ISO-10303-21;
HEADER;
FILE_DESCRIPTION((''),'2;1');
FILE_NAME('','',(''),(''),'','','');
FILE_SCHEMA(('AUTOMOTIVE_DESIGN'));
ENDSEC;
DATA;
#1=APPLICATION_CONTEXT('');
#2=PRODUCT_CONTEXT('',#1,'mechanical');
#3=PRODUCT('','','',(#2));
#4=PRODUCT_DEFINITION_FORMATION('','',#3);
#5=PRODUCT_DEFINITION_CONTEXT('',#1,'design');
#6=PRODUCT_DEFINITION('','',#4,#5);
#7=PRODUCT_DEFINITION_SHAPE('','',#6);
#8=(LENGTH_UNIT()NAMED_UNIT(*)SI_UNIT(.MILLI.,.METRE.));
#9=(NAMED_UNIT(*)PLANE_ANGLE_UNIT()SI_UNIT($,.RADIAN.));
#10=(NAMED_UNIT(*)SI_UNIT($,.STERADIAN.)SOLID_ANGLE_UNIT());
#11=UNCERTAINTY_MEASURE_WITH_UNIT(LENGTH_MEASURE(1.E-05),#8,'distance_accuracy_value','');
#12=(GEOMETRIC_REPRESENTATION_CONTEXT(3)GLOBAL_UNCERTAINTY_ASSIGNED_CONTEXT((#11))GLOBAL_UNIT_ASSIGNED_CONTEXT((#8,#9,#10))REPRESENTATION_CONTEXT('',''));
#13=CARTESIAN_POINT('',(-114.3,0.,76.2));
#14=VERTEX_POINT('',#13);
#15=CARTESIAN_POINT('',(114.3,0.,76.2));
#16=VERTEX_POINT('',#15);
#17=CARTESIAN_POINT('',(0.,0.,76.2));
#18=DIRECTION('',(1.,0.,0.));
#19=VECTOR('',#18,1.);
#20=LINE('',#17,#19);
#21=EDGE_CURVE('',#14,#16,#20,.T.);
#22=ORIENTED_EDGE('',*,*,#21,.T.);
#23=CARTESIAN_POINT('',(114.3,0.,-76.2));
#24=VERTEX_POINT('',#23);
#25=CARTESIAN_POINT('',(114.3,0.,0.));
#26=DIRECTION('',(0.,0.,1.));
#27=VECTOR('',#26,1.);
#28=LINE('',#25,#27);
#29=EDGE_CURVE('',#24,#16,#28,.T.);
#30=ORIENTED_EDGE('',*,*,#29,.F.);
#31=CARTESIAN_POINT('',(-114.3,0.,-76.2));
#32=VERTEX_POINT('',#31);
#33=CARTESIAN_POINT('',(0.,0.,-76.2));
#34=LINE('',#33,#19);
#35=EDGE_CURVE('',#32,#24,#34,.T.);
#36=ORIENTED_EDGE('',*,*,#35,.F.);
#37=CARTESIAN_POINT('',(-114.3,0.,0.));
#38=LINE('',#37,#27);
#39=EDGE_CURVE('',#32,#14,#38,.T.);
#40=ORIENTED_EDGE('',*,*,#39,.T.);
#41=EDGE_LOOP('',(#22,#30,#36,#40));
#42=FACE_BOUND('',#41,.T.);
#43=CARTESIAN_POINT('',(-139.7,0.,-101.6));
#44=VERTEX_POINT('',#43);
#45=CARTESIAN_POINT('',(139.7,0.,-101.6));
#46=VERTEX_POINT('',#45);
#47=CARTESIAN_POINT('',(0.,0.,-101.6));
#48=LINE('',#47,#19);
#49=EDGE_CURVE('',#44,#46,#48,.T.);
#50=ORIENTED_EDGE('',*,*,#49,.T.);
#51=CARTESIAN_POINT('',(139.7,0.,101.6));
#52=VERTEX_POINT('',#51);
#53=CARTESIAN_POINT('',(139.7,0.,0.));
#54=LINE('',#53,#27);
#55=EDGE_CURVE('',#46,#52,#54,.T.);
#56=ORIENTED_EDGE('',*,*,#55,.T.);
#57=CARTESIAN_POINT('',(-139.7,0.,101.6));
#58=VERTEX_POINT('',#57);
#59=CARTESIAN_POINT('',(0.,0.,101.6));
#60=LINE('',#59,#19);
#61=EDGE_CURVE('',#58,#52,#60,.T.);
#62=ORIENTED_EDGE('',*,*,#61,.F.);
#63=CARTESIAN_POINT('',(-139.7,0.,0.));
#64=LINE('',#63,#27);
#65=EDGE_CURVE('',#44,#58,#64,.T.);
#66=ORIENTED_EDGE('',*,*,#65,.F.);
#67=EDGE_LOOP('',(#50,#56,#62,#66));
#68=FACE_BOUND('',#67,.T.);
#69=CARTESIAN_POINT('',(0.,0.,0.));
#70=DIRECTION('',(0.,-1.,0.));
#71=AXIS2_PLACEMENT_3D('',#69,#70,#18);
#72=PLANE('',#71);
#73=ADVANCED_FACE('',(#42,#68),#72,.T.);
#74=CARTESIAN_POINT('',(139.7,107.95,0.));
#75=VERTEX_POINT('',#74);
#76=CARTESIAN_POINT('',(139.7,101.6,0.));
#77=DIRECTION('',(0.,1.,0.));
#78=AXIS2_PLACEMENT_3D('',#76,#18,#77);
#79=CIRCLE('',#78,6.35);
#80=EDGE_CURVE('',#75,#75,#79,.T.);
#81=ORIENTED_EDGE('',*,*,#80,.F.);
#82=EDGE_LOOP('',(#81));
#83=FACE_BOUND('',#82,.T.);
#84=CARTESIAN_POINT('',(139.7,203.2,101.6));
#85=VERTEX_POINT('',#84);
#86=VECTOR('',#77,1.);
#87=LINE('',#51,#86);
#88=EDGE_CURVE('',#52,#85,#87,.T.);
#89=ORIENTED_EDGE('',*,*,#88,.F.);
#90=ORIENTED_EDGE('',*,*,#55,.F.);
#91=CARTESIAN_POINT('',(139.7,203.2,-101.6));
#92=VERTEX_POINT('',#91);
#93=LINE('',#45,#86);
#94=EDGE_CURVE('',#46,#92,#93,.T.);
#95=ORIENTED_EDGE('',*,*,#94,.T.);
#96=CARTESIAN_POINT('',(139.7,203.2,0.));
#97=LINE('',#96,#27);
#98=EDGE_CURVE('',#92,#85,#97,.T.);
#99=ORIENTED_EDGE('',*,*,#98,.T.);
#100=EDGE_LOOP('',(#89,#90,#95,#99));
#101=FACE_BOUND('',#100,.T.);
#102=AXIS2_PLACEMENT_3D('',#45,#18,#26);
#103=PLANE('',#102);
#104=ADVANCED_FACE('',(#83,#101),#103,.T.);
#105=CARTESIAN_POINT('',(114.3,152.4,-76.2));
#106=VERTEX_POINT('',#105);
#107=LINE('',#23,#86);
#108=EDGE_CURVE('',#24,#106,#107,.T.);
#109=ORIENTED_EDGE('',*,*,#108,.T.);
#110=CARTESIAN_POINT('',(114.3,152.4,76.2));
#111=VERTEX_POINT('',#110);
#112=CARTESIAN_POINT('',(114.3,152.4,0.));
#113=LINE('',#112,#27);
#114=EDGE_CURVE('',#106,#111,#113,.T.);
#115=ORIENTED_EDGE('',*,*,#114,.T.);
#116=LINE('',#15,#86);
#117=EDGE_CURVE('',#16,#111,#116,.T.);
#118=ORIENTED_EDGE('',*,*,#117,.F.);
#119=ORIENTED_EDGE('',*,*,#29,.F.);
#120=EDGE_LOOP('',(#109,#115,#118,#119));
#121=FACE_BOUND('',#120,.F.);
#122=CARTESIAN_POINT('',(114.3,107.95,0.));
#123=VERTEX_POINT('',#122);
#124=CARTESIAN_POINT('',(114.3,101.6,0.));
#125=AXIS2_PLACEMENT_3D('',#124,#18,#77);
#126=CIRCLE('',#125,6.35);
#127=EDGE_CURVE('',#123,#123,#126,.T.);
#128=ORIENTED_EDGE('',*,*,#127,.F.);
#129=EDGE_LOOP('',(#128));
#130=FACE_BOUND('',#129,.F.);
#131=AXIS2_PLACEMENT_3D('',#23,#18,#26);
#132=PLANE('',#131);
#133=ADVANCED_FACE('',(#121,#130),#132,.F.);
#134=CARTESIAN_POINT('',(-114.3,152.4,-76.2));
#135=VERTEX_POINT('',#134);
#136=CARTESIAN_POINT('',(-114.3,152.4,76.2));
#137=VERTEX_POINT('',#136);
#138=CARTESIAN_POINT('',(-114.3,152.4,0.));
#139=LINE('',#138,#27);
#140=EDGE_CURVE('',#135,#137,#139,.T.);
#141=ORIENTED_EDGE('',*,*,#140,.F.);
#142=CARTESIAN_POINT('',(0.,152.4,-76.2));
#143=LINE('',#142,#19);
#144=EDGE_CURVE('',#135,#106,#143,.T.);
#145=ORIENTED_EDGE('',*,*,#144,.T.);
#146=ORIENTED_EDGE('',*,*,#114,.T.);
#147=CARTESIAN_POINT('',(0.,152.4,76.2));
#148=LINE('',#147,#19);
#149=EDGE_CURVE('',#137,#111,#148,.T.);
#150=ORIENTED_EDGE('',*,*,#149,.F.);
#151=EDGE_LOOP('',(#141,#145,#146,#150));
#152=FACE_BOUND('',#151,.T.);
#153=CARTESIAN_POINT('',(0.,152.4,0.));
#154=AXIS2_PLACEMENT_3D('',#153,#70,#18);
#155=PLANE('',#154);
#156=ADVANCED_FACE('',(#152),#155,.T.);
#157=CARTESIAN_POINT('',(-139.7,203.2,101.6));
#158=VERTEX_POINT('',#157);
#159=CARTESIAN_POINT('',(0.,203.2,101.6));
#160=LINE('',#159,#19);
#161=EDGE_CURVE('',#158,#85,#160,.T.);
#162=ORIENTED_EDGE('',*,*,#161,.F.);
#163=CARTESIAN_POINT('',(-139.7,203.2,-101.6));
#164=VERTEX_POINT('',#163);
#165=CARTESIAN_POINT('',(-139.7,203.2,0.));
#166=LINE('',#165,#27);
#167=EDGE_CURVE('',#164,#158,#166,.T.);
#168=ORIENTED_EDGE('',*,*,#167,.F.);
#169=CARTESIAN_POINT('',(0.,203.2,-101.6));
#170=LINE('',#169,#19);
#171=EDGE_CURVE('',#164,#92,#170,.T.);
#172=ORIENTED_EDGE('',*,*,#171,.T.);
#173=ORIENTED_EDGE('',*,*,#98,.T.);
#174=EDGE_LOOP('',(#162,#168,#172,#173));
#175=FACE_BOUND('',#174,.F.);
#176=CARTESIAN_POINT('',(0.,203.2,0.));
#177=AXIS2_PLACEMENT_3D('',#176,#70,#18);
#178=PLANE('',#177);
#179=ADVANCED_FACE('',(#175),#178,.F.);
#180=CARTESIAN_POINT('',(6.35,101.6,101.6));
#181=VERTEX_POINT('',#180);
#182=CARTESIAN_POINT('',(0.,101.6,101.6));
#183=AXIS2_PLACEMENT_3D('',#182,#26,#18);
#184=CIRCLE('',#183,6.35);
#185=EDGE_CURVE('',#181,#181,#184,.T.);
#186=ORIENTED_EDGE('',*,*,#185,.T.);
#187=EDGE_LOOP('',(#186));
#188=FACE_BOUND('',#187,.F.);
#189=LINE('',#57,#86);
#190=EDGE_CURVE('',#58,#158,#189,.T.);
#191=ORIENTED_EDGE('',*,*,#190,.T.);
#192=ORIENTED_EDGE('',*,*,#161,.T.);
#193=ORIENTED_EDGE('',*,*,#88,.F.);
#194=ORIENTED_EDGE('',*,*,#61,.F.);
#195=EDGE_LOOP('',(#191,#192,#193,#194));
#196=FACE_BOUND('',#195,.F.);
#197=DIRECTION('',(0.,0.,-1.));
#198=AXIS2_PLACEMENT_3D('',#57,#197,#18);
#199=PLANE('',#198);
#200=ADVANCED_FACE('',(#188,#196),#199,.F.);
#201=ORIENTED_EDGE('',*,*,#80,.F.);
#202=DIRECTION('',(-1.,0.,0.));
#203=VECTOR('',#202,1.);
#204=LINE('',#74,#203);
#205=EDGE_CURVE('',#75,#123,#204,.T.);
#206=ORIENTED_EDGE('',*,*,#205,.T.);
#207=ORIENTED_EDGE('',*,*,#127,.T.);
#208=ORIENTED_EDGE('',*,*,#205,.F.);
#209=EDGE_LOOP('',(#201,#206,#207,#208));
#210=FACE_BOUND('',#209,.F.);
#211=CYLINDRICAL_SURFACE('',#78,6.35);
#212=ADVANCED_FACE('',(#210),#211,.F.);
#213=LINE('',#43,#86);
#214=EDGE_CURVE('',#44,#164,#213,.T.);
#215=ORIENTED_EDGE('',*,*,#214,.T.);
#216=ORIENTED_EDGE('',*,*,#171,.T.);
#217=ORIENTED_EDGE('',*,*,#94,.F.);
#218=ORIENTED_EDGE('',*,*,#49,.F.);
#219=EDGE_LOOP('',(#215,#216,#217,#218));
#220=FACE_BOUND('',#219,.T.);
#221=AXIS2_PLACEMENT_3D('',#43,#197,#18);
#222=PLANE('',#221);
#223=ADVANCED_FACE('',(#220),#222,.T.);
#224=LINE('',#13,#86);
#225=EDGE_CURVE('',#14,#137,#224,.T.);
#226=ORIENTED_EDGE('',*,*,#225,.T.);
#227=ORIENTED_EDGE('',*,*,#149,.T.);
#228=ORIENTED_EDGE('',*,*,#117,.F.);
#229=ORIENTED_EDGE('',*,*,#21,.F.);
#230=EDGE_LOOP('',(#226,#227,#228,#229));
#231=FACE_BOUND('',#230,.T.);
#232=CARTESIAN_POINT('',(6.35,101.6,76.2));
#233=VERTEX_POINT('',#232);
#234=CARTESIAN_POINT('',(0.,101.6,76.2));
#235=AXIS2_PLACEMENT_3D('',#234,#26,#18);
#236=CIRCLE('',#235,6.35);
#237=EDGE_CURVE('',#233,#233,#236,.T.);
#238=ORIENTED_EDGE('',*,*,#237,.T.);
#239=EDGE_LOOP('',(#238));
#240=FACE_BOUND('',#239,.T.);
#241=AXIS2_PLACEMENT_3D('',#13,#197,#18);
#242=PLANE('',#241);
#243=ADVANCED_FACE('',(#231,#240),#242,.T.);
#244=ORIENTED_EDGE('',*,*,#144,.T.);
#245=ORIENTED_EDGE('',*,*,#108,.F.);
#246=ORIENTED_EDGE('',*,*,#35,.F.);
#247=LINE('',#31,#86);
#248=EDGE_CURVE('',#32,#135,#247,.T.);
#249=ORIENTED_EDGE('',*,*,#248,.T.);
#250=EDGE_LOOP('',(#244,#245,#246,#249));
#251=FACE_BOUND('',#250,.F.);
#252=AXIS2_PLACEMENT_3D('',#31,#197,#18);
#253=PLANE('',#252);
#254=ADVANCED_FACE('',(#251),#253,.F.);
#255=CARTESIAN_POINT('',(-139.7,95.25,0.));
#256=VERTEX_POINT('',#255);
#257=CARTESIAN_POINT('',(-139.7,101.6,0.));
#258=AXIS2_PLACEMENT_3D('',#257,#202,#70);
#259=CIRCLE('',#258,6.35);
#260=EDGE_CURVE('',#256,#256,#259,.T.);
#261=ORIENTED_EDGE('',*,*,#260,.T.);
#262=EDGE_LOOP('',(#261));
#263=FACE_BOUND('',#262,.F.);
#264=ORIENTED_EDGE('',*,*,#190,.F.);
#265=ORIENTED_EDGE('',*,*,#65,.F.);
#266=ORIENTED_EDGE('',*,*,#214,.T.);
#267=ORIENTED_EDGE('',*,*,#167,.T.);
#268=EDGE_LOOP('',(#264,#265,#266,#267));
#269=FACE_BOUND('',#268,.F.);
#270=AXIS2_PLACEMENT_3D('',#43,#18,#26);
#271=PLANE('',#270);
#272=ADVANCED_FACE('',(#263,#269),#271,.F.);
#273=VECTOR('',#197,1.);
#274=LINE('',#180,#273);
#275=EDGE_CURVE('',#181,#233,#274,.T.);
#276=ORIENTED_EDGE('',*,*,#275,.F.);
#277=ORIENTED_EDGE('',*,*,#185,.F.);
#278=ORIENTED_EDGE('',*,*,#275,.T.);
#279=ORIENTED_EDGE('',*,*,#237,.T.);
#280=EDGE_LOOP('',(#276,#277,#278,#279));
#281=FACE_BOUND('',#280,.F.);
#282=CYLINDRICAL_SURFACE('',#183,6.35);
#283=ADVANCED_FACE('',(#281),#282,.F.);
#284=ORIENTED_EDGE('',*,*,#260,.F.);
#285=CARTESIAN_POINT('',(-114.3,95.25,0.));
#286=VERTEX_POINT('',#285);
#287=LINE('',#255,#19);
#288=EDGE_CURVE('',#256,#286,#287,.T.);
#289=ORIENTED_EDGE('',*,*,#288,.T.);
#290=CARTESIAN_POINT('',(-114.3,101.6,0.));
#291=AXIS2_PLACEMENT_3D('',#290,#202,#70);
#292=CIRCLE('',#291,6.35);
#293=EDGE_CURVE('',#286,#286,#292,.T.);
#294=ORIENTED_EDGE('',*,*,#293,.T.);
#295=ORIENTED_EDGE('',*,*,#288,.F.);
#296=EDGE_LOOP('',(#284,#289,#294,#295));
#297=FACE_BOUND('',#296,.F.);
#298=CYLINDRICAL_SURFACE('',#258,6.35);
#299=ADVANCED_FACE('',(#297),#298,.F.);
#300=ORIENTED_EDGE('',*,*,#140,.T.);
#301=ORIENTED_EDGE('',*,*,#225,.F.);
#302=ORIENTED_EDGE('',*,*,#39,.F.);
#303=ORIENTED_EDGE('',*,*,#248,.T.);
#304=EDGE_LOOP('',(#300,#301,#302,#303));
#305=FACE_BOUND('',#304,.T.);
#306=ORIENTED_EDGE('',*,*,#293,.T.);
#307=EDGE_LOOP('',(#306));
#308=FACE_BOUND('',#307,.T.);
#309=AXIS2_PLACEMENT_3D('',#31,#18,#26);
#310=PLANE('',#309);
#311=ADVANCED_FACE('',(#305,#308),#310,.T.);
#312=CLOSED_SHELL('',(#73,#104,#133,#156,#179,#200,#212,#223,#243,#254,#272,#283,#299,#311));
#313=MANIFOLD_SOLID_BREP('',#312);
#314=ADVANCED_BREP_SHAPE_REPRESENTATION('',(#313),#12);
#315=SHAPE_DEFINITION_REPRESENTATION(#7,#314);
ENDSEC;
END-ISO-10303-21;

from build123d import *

# Parameters (mm, degrees)
F0_W     = 279.4
F0_H     = 203.2
F1_DEPTH = 203.2
F5_W     = 228.6
F5_H     = 152.4
F6_DEPTH = 152.4
F2_R     = 6.35
F7_DEPTH = 25.4
F3_R     = 6.35
F8_DEPTH = 25.4
F4_R     = 6.35
F9_DEPTH = 25.4


with BuildPart() as f1:
    # F0 (on Front) → F1 (new body)
    with BuildSketch(Plane.XZ):
        Rectangle(F0_W, F0_H)
    extrude(amount=-F1_DEPTH)

    # F5 (on Front) → F6 (cut)
    with BuildSketch(Plane.XZ):
        Rectangle(F5_W, F5_H)
    extrude(amount=-F6_DEPTH, mode=Mode.SUBTRACT)

    # F2 (on face) → F7 (cut)
    with BuildSketch(Plane.XY.offset(101.6)):
        with Locations((0, 101.6)):
            Circle(F2_R)
    extrude(amount=-F7_DEPTH, mode=Mode.SUBTRACT)

    # F3 (on face) → F8 (cut)
    with BuildSketch(Plane.YZ.offset(139.7)):
        with Locations((101.6, 0)):
            Circle(F3_R)
    extrude(amount=-F8_DEPTH, mode=Mode.SUBTRACT)

    # F4 (on face) → F9 (cut)
    with BuildSketch(Plane(origin=(-139.7, 0, 0), x_dir=(0, -1, 0), z_dir=(-1, 0, 0))):
        with Locations((-101.6, 0)):
            Circle(F4_R)
    extrude(amount=-F9_DEPTH, mode=Mode.SUBTRACT)


solid = f1.part
